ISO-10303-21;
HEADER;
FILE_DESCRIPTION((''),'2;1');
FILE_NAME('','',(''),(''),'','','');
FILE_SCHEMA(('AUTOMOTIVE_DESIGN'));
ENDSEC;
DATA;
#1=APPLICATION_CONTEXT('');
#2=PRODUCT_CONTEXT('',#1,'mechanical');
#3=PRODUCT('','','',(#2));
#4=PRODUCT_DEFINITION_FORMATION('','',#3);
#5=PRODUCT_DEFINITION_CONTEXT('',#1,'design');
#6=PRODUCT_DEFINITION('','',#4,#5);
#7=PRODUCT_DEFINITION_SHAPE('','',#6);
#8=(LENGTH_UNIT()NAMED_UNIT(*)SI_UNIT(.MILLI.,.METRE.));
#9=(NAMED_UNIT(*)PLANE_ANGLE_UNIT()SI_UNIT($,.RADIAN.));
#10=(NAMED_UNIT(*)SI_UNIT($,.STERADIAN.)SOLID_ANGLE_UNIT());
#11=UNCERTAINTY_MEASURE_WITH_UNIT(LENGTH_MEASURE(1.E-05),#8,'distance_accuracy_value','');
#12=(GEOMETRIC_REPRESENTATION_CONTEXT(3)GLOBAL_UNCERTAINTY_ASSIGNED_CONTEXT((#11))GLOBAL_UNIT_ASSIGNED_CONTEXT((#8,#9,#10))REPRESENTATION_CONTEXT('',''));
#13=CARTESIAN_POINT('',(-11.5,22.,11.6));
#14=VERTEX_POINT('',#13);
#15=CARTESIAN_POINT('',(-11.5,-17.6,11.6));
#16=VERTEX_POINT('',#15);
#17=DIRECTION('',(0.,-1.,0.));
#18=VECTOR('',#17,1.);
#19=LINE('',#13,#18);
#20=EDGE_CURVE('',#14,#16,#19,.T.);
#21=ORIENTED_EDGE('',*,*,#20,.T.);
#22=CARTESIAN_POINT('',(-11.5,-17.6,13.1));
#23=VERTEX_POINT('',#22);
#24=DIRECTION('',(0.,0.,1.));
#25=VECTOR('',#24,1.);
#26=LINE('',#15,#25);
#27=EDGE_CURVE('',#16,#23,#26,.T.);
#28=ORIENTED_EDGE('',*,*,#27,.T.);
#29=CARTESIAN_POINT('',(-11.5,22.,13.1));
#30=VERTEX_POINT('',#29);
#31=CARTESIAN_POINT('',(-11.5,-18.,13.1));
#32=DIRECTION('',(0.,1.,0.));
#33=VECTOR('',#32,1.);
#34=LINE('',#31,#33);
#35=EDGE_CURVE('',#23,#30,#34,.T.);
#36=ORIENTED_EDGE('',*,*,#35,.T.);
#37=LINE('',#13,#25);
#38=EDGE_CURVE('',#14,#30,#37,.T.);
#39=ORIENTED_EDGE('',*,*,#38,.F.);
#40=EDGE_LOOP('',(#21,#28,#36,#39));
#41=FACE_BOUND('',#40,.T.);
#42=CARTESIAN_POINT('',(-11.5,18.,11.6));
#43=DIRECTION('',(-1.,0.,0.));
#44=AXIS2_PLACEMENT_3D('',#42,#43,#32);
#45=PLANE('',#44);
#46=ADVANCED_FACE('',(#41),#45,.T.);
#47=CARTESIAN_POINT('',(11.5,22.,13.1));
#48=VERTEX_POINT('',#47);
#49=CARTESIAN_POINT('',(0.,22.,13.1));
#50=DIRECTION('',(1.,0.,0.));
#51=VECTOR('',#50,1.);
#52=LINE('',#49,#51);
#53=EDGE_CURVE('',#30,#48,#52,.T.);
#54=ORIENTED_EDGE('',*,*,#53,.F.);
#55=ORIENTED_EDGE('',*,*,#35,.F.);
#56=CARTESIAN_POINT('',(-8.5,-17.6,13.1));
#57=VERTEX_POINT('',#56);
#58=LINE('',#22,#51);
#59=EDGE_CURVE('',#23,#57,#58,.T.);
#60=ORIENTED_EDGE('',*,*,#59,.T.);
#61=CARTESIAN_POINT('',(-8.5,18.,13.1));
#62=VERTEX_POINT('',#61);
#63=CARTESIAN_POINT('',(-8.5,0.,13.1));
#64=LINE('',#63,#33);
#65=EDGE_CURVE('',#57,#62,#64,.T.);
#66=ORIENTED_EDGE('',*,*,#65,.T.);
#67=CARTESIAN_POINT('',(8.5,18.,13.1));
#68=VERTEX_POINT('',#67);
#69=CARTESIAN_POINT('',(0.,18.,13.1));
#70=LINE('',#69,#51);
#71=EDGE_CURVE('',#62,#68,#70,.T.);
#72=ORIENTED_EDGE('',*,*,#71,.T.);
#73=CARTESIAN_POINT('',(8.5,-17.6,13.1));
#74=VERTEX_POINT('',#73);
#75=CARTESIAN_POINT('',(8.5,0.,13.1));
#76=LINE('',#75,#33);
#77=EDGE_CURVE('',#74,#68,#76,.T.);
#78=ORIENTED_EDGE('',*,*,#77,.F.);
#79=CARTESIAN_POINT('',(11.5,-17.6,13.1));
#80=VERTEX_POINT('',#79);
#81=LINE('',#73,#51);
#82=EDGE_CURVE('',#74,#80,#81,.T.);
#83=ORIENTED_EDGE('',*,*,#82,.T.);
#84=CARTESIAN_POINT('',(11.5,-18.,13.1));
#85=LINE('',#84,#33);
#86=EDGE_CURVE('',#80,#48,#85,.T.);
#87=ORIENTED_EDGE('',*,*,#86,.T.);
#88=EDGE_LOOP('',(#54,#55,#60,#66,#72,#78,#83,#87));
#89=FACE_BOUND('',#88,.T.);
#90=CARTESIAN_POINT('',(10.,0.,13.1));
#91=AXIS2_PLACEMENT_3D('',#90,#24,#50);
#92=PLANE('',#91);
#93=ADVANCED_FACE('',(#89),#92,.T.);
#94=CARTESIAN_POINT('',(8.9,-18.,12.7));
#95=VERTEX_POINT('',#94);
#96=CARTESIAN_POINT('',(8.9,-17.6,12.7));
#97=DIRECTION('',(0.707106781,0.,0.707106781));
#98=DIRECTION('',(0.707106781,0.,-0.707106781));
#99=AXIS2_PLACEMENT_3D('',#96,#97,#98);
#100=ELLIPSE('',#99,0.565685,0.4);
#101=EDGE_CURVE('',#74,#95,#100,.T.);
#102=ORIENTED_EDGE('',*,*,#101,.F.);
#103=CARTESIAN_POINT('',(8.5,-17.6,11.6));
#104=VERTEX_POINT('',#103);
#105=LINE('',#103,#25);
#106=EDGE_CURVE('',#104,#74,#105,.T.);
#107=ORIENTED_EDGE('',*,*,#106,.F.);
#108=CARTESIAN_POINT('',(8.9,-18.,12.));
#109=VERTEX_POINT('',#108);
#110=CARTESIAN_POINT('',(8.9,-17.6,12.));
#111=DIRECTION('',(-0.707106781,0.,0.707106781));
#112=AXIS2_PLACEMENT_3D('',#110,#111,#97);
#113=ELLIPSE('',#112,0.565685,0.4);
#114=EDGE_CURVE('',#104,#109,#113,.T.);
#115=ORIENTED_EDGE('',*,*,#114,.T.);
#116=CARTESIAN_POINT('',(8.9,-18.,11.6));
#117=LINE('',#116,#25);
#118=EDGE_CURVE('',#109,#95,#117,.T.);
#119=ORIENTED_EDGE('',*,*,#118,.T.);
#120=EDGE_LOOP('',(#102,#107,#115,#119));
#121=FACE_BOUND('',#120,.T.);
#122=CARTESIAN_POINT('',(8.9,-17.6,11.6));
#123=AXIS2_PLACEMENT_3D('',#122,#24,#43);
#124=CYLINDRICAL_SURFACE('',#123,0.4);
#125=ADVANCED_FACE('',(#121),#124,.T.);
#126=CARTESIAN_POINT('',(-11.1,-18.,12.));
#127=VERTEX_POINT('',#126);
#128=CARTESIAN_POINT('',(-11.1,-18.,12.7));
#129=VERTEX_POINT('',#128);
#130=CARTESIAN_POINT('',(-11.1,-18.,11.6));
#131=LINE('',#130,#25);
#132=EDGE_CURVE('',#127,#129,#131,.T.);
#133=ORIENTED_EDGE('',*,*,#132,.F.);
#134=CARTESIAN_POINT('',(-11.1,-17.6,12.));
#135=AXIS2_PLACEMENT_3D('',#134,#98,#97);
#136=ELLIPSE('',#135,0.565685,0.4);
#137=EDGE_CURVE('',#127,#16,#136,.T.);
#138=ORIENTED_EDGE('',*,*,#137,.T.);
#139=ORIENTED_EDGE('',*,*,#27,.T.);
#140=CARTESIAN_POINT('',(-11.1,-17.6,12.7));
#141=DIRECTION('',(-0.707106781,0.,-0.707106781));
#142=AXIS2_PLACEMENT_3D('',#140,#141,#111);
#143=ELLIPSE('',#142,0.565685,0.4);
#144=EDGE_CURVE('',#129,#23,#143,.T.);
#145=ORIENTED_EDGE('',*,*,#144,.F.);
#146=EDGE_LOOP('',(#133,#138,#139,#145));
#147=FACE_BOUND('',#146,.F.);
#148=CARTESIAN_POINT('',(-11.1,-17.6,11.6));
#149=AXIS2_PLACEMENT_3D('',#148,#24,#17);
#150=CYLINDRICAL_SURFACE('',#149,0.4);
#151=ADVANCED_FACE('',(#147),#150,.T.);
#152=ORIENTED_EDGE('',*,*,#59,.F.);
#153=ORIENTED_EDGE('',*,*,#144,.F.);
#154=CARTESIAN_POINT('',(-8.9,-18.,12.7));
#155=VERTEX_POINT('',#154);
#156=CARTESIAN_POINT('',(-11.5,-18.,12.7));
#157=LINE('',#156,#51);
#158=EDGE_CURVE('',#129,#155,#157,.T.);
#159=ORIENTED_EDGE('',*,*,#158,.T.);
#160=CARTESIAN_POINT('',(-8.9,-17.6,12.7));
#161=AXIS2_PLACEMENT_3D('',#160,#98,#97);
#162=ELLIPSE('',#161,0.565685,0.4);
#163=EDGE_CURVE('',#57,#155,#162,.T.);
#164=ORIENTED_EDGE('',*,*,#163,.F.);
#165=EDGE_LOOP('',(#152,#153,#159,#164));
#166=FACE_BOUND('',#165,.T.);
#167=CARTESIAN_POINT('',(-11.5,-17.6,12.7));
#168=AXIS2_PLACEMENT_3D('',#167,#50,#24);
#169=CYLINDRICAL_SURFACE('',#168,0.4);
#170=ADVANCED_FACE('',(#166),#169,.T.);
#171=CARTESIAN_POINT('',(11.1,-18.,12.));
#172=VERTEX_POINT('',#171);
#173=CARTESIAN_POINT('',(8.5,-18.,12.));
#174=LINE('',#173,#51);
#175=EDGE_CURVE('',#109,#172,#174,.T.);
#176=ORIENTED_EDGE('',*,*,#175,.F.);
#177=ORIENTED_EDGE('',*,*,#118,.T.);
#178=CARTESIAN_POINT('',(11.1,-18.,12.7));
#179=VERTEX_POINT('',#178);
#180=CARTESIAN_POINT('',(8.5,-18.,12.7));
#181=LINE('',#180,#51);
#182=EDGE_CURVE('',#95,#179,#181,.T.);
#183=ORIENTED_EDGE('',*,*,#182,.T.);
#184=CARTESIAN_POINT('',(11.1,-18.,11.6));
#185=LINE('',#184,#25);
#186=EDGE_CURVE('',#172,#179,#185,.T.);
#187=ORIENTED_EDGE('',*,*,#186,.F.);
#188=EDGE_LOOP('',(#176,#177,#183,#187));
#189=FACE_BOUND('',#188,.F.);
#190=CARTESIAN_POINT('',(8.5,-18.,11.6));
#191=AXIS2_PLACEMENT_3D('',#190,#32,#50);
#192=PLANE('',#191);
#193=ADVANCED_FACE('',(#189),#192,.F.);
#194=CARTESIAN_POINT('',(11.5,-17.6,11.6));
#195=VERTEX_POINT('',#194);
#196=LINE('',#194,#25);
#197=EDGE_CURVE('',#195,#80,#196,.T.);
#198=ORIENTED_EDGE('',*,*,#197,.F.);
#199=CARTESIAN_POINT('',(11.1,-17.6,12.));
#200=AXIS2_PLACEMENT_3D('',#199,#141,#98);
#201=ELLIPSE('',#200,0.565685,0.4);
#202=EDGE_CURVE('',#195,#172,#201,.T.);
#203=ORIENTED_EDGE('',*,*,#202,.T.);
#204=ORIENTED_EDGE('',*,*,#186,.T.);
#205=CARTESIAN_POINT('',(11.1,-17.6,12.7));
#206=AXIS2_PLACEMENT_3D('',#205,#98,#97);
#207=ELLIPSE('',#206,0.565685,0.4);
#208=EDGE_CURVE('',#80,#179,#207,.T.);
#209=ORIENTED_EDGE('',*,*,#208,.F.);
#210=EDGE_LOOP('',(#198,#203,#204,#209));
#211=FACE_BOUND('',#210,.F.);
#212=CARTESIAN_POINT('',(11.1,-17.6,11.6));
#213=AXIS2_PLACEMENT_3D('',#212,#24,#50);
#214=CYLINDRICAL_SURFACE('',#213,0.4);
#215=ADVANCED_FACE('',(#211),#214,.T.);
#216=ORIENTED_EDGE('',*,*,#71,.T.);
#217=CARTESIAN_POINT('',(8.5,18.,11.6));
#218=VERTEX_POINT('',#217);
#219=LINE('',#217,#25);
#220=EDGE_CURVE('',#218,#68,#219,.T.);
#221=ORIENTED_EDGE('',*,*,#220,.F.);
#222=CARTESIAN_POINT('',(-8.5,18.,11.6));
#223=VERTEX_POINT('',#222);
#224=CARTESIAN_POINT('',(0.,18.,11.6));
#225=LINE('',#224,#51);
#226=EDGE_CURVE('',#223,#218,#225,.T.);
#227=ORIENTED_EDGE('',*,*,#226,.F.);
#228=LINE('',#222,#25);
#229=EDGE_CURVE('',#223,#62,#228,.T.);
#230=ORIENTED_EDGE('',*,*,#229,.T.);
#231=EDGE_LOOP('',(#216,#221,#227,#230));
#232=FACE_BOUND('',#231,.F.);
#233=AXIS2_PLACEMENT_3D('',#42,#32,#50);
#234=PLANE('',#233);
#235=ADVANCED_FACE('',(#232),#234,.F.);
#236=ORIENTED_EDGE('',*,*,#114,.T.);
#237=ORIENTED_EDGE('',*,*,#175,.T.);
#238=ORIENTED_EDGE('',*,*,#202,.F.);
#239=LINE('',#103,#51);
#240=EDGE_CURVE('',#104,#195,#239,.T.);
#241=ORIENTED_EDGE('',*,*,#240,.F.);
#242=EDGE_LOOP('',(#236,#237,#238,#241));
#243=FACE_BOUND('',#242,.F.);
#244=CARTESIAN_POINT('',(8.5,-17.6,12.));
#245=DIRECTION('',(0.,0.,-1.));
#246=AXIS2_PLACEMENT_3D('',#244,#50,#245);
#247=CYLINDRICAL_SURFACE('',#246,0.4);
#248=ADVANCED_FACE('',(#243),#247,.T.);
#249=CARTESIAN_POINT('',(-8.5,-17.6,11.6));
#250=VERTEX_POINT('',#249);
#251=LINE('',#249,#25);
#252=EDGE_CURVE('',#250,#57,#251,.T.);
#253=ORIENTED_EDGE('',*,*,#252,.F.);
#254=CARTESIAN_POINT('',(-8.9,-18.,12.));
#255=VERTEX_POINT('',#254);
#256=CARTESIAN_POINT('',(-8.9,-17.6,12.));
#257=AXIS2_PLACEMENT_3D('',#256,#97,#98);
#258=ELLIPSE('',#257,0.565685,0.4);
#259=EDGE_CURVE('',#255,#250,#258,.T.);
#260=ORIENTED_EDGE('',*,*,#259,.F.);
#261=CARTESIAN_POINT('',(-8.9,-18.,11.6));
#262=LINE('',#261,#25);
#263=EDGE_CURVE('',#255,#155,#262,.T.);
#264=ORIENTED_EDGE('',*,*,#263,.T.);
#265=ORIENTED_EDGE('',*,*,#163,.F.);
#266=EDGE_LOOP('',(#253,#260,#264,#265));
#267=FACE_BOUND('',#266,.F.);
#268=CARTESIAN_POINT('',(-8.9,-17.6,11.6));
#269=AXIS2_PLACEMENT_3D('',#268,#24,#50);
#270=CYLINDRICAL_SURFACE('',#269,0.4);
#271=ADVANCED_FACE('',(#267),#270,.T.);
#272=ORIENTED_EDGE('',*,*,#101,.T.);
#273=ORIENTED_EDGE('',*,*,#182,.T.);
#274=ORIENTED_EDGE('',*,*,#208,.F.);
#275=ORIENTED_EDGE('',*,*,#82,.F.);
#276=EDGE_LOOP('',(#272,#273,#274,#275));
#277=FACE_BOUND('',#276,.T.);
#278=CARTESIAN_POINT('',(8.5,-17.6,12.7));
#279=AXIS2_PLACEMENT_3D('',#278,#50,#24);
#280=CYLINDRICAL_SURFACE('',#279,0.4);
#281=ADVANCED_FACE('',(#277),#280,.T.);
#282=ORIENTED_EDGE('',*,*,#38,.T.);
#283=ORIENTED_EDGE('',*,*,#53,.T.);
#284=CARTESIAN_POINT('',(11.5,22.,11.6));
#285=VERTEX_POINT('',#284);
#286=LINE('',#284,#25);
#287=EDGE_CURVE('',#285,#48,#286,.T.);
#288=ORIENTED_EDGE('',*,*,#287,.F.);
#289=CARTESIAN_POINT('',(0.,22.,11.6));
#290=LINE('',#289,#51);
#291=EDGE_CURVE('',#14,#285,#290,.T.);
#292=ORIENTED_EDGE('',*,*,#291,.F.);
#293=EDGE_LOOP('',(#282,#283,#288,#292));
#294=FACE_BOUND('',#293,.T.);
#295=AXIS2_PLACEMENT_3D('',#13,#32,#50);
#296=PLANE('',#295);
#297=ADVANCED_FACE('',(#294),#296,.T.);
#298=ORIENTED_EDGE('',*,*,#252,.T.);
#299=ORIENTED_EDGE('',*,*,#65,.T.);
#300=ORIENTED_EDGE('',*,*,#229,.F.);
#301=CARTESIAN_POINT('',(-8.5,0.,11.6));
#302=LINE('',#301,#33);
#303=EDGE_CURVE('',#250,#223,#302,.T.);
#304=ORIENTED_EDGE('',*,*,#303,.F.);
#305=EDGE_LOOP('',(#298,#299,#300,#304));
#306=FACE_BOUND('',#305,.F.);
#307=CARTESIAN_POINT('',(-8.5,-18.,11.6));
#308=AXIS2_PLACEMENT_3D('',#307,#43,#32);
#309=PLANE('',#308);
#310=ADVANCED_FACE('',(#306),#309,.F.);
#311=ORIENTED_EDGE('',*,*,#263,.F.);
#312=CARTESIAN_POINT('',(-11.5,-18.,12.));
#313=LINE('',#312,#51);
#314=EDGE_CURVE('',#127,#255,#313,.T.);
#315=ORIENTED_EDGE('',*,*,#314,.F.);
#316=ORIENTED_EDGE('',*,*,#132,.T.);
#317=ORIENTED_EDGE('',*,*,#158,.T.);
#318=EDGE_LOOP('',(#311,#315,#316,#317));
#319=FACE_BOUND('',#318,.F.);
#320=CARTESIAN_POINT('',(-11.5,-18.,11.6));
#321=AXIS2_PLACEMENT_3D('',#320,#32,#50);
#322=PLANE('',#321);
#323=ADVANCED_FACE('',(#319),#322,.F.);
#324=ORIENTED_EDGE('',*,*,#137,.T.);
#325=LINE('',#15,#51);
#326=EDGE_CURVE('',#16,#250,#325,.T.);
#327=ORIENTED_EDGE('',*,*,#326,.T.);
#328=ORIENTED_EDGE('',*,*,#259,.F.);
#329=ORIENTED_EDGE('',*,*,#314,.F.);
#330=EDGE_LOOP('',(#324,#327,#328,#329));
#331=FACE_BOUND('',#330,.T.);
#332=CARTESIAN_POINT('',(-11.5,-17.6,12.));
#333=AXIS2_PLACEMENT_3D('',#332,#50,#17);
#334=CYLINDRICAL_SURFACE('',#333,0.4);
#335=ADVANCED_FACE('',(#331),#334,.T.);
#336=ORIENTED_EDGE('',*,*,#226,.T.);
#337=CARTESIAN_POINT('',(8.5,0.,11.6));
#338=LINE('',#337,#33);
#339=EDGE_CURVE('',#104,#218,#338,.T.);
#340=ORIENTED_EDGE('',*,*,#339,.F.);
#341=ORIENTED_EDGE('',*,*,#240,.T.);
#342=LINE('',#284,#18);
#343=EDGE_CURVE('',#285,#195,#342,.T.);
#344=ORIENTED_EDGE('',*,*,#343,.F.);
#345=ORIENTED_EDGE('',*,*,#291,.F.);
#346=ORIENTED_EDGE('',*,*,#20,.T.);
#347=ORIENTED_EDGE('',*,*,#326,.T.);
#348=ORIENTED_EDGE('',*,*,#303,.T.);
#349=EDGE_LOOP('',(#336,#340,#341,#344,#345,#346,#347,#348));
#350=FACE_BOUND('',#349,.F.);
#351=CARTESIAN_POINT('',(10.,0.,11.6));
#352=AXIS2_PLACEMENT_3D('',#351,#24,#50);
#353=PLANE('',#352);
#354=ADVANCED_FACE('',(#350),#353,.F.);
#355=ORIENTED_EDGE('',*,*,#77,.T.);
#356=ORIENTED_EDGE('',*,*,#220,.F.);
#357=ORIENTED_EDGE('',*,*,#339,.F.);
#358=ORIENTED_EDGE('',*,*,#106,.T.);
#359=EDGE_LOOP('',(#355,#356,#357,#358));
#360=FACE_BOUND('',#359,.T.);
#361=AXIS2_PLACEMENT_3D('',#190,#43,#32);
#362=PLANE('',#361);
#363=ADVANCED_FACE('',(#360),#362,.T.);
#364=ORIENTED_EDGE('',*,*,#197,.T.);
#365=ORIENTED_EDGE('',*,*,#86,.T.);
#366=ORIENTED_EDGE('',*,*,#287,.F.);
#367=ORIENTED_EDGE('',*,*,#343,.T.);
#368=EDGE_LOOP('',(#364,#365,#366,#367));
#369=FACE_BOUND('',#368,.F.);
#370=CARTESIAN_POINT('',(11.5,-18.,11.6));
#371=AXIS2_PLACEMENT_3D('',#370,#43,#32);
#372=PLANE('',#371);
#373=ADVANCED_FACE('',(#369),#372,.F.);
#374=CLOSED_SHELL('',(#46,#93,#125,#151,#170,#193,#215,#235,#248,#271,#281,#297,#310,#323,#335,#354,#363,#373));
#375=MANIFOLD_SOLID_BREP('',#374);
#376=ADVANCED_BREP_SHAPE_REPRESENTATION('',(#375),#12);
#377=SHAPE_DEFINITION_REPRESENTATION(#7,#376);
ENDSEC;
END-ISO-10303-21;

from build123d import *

# Parameters (mm, degrees)
BOX002_W     = 23
BOX002_H     = 4
BOX002_DEPTH = 1.5
BOX001_W     = 3
BOX001_H     = 36
BOX001_DEPTH = 1.5
BOX_W        = 3
BOX_H        = 36
BOX_DEPTH    = 1.5
FILLET006_R  = 0.4


with BuildPart() as cube002:
    # Box002 → Box002 (new body)
    with BuildSketch(Plane(origin=(-11.5, 18, 11.6), x_dir=(1, 0, 0), z_dir=(0, 0, 1))):
        with Locations((11.5, 2)):
            Rectangle(BOX002_W, BOX002_H)
    extrude(amount=BOX002_DEPTH)


with BuildPart() as cube001:
    # Box001 → Box001 (new body)
    with BuildSketch(Plane(origin=(8.5, -18, 11.6), x_dir=(1, 0, 0), z_dir=(0, 0, 1))):
        with Locations((1.5, 18)):
            Rectangle(BOX001_W, BOX001_H)
    extrude(amount=BOX001_DEPTH)


with BuildPart() as fillet006:
    # Box → Box (new body)
    with BuildSketch(Plane(origin=(-11.5, -18, 11.6), x_dir=(1, 0, 0), z_dir=(0, 0, 1))):
        with Locations((1.5, 18)):
            Rectangle(BOX_W, BOX_H)
    extrude(amount=BOX_DEPTH)

    # Fusion002: union Cube002, Cube001
    add(cube002.part)
    add(cube001.part)

    # Fillet006
    fillet006_edges = [fillet006.edges().sort_by_distance(p)[0] for p in [
        (-11.5, -18, 12.35),
        (-10, -18, 11.6),
        (-8.5, -18, 12.35),
        (-10, -18, 13.1),
        (10, -18, 13.1),
        (10, -18, 11.6),
        (8.5, -18, 12.35),
        (11.5, -18, 12.35),
    ]]
    fillet(fillet006_edges, radius=FILLET006_R)


solid = fillet006.part
